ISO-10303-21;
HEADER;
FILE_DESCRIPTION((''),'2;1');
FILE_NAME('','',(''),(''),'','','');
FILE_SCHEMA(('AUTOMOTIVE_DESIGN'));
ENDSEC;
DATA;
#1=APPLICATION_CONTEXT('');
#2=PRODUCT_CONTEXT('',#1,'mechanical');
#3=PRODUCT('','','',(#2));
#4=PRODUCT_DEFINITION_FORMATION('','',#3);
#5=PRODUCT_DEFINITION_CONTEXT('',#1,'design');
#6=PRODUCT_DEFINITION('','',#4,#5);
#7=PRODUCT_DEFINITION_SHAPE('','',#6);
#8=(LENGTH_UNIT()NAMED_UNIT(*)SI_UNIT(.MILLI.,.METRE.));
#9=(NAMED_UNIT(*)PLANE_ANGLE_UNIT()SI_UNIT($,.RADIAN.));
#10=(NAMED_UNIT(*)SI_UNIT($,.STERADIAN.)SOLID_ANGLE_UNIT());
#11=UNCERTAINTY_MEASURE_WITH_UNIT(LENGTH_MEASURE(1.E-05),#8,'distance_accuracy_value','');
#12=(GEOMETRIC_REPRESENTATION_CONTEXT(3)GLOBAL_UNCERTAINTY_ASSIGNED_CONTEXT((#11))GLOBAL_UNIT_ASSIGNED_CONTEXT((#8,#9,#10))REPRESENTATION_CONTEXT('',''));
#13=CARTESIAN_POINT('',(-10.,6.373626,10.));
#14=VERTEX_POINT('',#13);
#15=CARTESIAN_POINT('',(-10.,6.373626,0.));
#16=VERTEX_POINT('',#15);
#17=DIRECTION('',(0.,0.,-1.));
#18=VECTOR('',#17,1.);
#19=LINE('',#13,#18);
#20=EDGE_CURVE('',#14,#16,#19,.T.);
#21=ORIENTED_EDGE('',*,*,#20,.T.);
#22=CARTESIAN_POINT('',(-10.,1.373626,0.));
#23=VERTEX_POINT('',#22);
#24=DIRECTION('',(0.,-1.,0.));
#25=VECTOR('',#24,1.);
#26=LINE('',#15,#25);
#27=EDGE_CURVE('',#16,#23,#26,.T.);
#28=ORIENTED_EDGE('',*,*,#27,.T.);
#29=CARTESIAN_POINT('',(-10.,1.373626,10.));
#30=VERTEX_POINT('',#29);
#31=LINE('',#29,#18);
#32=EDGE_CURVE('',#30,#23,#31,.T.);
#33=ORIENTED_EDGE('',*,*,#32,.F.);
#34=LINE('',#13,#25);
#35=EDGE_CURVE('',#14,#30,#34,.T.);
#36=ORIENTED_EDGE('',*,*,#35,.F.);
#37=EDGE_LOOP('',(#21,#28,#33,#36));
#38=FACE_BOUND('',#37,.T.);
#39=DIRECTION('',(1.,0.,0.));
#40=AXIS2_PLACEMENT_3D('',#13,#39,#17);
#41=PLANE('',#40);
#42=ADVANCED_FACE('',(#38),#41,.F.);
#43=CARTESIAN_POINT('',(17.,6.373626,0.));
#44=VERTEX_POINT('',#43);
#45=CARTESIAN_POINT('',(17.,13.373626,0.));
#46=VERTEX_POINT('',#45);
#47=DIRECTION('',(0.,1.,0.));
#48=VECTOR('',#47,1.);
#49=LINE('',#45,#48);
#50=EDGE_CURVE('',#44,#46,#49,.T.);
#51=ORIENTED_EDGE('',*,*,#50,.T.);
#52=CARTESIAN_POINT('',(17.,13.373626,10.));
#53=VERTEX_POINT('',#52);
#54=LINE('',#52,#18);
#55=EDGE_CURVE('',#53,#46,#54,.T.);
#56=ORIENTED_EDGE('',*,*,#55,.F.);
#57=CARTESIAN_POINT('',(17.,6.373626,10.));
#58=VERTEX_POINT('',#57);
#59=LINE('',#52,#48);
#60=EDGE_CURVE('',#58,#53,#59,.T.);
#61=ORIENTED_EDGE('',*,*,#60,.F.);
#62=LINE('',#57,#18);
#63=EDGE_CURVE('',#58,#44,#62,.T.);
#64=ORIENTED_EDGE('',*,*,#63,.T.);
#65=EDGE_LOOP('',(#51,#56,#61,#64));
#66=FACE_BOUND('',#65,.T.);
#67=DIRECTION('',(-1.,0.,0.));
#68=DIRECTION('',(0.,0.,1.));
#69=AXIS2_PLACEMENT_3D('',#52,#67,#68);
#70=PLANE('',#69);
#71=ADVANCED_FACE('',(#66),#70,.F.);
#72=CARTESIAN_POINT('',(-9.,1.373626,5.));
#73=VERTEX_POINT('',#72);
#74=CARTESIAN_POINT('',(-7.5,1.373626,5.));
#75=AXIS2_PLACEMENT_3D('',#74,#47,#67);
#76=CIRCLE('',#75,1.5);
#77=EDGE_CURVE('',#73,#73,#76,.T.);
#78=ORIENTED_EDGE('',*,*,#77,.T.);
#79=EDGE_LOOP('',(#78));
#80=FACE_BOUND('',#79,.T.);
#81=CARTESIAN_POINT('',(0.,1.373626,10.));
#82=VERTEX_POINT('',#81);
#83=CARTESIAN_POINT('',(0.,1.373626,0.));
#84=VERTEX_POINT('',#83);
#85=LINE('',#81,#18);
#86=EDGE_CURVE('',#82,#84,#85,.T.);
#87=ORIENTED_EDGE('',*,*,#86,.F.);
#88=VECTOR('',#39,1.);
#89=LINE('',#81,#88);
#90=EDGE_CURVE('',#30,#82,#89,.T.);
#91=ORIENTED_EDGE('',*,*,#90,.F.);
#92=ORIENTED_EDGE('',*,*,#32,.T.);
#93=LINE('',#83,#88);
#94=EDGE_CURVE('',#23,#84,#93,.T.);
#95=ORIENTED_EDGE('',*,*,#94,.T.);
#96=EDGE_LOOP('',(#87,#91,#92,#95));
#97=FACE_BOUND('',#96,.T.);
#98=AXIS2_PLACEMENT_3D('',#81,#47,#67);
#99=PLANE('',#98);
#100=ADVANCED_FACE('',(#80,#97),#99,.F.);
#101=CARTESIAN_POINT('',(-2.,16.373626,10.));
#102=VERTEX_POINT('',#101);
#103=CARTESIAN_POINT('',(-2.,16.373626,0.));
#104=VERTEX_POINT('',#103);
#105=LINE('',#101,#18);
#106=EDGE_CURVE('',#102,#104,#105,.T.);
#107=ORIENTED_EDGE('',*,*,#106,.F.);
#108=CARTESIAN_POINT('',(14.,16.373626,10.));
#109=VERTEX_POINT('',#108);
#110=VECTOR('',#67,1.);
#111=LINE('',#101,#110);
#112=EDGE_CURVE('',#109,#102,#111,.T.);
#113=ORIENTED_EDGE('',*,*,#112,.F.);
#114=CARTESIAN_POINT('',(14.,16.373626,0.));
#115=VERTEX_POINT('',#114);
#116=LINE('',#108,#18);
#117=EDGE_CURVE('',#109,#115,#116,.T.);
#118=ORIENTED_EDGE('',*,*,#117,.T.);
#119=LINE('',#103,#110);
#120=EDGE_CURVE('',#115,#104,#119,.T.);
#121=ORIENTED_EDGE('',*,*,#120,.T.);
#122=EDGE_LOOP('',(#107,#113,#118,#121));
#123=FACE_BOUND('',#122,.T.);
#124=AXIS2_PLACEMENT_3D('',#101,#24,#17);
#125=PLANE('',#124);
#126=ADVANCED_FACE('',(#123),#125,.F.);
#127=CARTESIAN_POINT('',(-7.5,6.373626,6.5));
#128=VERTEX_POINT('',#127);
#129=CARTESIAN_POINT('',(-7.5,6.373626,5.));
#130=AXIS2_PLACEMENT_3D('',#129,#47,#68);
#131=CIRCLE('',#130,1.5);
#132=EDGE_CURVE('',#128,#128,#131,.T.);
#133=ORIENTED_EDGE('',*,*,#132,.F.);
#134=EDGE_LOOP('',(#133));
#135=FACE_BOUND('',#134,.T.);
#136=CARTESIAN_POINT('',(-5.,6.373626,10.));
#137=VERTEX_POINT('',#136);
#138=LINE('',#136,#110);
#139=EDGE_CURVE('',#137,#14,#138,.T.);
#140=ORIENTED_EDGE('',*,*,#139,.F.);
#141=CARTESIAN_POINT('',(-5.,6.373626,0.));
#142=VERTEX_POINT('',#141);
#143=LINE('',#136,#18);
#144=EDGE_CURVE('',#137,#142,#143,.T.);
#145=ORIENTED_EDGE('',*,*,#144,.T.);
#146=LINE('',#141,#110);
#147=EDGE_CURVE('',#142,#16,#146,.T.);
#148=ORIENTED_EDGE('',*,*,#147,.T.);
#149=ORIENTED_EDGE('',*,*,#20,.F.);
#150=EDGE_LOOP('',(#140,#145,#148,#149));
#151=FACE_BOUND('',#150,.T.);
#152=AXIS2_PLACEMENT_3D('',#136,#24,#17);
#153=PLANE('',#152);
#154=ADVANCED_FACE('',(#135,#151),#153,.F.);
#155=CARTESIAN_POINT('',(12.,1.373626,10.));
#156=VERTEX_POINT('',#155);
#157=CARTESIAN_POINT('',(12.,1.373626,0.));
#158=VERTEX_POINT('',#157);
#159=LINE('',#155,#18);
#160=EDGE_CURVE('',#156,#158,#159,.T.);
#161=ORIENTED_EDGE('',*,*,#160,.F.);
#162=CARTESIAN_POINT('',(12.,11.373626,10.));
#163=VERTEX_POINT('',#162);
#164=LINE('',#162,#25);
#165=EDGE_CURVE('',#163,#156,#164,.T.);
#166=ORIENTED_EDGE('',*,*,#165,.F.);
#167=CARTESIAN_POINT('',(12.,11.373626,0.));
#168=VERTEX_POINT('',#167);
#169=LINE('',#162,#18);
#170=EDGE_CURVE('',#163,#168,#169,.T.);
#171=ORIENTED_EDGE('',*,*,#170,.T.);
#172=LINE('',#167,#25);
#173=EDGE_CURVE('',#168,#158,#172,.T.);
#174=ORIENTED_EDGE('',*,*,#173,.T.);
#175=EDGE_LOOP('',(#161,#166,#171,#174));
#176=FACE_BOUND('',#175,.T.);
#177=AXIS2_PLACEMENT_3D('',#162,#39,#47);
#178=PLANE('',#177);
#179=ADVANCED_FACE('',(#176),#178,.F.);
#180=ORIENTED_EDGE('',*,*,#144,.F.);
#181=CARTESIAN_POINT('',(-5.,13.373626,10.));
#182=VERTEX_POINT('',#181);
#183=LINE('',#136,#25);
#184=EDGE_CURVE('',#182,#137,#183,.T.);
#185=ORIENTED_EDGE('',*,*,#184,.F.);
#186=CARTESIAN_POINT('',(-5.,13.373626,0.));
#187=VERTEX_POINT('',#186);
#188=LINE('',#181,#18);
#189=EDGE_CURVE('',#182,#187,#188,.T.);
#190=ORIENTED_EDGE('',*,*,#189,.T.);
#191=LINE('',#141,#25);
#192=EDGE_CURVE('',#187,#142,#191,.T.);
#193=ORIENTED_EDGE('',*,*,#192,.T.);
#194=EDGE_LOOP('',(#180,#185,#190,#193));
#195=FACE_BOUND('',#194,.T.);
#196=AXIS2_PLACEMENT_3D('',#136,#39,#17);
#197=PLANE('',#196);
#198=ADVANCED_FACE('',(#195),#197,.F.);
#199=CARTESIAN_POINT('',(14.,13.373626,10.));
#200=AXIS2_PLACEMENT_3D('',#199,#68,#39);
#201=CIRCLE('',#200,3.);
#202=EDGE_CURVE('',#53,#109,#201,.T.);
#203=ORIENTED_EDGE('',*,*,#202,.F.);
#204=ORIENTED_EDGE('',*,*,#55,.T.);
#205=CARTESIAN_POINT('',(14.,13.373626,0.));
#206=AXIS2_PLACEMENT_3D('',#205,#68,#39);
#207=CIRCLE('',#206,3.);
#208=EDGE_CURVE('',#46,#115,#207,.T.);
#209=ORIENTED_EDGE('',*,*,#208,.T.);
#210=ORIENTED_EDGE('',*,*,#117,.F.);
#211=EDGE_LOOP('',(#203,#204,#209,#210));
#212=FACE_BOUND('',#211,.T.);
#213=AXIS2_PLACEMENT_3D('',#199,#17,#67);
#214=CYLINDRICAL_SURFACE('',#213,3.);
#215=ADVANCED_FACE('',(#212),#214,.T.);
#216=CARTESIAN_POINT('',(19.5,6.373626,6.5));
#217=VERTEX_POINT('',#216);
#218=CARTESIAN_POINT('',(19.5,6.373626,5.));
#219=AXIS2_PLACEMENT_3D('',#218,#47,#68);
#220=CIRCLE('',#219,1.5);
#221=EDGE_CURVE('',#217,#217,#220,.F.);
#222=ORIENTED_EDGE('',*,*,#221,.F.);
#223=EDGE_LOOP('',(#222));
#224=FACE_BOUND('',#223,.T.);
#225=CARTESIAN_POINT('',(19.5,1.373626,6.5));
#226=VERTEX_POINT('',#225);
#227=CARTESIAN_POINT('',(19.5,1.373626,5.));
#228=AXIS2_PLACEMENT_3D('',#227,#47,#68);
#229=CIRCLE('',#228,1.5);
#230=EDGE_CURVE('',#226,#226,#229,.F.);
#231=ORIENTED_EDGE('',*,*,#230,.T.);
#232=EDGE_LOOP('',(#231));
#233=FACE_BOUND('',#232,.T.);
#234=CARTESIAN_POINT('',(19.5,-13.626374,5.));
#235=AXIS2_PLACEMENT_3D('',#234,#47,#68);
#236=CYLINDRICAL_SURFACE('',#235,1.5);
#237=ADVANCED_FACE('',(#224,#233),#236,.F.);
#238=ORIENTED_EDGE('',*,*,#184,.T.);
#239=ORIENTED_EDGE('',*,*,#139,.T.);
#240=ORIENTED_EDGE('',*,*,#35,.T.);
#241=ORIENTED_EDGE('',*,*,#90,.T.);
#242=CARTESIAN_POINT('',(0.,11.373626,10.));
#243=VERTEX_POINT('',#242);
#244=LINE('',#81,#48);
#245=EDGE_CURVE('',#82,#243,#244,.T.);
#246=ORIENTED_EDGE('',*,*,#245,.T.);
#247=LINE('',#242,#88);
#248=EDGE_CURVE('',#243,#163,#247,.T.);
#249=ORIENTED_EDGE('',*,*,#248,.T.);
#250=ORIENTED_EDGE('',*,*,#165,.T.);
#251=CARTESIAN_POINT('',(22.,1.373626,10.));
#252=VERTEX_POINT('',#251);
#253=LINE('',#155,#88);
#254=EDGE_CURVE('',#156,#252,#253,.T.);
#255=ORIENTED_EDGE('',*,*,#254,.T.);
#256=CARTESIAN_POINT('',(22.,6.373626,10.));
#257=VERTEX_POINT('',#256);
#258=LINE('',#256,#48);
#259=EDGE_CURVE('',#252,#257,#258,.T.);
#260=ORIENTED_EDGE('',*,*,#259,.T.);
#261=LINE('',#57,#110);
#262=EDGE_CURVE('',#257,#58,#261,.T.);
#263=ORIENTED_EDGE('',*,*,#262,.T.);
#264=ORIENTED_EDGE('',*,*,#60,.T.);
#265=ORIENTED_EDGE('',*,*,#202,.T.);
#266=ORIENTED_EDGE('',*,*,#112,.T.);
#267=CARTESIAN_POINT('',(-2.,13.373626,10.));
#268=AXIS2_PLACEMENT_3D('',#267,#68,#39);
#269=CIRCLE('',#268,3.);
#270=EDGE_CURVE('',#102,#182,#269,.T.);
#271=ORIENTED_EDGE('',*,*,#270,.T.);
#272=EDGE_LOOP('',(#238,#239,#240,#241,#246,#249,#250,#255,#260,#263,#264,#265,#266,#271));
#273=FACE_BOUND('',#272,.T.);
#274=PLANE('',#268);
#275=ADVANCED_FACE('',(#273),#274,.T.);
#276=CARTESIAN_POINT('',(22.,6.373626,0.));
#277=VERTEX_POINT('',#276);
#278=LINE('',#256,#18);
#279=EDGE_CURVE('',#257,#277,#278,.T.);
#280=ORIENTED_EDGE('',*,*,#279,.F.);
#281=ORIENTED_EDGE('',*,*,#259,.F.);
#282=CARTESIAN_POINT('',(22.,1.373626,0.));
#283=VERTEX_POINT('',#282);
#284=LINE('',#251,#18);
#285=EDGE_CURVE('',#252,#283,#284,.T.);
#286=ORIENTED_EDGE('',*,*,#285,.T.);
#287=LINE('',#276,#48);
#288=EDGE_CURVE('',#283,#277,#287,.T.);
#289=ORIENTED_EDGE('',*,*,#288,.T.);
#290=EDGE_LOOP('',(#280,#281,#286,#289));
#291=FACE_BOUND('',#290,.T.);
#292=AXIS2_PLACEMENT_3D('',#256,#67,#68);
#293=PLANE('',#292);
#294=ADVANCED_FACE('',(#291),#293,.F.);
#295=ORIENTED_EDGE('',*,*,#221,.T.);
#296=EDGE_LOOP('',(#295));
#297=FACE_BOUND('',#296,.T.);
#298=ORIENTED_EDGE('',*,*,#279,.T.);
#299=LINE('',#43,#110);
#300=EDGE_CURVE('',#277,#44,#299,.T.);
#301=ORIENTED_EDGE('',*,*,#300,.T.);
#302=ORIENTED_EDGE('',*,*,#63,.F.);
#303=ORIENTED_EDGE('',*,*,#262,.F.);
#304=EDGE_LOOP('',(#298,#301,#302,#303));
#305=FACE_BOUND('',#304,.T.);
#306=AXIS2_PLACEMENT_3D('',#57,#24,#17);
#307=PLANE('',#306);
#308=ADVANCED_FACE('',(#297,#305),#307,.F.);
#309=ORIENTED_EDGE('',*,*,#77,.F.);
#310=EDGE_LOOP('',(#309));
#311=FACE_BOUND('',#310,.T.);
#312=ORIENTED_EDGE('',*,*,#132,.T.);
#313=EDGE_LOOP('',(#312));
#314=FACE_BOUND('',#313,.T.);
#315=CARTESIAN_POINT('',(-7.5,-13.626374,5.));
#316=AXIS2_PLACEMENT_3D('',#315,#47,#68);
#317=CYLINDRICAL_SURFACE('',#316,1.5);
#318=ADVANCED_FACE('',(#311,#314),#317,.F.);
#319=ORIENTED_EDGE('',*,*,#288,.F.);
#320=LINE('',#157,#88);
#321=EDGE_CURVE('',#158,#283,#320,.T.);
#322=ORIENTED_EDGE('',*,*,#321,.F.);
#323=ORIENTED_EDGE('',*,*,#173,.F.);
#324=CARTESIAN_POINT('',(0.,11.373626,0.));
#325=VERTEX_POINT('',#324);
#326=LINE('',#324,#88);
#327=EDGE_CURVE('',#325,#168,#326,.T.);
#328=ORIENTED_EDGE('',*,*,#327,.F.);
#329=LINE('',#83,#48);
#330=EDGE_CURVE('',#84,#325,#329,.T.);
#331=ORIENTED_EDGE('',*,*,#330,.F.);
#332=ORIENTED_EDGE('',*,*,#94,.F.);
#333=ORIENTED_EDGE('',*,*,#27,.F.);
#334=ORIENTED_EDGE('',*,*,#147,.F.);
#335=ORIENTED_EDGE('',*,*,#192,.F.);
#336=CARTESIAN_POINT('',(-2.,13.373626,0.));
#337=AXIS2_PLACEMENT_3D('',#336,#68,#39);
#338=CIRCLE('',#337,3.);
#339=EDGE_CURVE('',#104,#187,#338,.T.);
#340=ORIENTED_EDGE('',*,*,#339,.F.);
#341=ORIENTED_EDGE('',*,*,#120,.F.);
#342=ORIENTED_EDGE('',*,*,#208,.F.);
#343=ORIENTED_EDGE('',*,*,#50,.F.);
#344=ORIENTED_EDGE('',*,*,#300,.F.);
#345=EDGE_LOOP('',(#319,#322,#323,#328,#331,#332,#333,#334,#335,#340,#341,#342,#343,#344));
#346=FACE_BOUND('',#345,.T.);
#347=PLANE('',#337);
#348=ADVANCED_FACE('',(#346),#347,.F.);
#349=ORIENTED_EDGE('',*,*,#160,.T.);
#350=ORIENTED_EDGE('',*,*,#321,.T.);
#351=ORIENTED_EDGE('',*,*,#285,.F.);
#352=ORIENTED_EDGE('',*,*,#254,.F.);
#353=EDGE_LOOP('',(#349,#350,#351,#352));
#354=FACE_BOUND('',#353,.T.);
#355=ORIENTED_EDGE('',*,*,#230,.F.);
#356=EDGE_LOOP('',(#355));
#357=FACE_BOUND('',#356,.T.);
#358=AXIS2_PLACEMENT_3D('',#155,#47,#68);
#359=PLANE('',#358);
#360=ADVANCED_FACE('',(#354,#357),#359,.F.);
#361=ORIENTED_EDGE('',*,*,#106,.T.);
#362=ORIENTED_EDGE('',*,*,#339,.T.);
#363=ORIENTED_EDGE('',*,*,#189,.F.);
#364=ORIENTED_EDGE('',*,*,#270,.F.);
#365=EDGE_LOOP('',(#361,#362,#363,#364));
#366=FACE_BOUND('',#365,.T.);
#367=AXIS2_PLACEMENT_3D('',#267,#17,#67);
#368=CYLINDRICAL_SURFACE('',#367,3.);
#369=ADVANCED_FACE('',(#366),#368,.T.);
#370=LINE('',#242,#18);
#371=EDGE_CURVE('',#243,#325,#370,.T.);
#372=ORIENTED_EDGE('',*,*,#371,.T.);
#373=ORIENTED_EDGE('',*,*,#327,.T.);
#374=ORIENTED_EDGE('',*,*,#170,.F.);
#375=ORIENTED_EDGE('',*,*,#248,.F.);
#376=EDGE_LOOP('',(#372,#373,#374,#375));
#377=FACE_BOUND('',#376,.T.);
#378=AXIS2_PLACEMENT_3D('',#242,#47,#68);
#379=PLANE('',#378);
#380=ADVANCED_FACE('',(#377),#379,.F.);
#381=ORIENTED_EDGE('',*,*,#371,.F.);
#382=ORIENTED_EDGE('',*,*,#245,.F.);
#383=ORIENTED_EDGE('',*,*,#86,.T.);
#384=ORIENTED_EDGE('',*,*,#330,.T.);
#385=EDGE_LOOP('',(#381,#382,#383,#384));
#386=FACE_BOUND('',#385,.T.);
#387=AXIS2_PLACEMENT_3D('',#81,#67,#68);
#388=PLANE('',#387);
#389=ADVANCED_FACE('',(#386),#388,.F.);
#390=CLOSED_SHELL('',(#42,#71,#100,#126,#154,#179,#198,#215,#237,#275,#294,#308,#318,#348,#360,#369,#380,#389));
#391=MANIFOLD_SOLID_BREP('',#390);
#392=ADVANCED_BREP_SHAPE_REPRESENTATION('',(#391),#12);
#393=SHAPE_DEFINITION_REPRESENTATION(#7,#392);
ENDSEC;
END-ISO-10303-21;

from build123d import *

# Parameters (mm, degrees)
BOSS_EXTRU_1_DEPTH      = 10
ESQUISSE2_R             = 1.5
ENL_V_MAT_EXTRU_1_DEPTH = 20


with BuildPart() as part:
    # Esquisse1 → Boss.-Extru.1 (new body)
    with BuildSketch(Plane.XY):
        with BuildLine():
            Line((0, 1.373626374), (0, 11.373626374))
            Line((0, 11.373626374), (12, 11.373626374))
            Line((12, 11.373626374), (12, 1.373626374))
            Line((12, 1.373626374), (22, 1.373626374))
            Line((22, 1.373626374), (22, 6.373626374))
            Line((22, 6.373626374), (17, 6.373626374))
            Line((17, 6.373626374), (17, 13.373626374))
            ThreePointArc((17, 13.373626374), (16.121320344, 15.494946717), (14, 16.373626374))
            Line((14, 16.373626374), (-2, 16.373626374))
            ThreePointArc((-2, 16.373626374), (-4.121320344, 15.494946717), (-5, 13.373626374))
            Line((-5, 13.373626374), (-5, 6.373626374))
            Line((-5, 6.373626374), (-10, 6.373626374))
            Line((-10, 6.373626374), (-10, 1.373626374))
            Line((-10, 1.373626374), (0, 1.373626374))
        make_face()
    extrude(amount=BOSS_EXTRU_1_DEPTH)

    # Esquisse2 → Enlèv. mat.-Extru.1 (cut)
    with BuildSketch(Plane(origin=(0, 6.373626374, 0), x_dir=(1, 0, 0), z_dir=(0, 1, 0))):
        with Locations((-7.5, -15)):
            Circle(ESQUISSE2_R)
        with Locations(Location((-7.5, -5, 0), (0, 0, 270))):
            Circle(ESQUISSE2_R)
        with Locations(Location((19.5, -5, 0), (0, 0, 270))):
            Circle(ESQUISSE2_R)
        with Locations((19.5, -15)):
            Circle(ESQUISSE2_R)
    extrude(amount=-ENL_V_MAT_EXTRU_1_DEPTH, mode=Mode.SUBTRACT)


solid = part.part
